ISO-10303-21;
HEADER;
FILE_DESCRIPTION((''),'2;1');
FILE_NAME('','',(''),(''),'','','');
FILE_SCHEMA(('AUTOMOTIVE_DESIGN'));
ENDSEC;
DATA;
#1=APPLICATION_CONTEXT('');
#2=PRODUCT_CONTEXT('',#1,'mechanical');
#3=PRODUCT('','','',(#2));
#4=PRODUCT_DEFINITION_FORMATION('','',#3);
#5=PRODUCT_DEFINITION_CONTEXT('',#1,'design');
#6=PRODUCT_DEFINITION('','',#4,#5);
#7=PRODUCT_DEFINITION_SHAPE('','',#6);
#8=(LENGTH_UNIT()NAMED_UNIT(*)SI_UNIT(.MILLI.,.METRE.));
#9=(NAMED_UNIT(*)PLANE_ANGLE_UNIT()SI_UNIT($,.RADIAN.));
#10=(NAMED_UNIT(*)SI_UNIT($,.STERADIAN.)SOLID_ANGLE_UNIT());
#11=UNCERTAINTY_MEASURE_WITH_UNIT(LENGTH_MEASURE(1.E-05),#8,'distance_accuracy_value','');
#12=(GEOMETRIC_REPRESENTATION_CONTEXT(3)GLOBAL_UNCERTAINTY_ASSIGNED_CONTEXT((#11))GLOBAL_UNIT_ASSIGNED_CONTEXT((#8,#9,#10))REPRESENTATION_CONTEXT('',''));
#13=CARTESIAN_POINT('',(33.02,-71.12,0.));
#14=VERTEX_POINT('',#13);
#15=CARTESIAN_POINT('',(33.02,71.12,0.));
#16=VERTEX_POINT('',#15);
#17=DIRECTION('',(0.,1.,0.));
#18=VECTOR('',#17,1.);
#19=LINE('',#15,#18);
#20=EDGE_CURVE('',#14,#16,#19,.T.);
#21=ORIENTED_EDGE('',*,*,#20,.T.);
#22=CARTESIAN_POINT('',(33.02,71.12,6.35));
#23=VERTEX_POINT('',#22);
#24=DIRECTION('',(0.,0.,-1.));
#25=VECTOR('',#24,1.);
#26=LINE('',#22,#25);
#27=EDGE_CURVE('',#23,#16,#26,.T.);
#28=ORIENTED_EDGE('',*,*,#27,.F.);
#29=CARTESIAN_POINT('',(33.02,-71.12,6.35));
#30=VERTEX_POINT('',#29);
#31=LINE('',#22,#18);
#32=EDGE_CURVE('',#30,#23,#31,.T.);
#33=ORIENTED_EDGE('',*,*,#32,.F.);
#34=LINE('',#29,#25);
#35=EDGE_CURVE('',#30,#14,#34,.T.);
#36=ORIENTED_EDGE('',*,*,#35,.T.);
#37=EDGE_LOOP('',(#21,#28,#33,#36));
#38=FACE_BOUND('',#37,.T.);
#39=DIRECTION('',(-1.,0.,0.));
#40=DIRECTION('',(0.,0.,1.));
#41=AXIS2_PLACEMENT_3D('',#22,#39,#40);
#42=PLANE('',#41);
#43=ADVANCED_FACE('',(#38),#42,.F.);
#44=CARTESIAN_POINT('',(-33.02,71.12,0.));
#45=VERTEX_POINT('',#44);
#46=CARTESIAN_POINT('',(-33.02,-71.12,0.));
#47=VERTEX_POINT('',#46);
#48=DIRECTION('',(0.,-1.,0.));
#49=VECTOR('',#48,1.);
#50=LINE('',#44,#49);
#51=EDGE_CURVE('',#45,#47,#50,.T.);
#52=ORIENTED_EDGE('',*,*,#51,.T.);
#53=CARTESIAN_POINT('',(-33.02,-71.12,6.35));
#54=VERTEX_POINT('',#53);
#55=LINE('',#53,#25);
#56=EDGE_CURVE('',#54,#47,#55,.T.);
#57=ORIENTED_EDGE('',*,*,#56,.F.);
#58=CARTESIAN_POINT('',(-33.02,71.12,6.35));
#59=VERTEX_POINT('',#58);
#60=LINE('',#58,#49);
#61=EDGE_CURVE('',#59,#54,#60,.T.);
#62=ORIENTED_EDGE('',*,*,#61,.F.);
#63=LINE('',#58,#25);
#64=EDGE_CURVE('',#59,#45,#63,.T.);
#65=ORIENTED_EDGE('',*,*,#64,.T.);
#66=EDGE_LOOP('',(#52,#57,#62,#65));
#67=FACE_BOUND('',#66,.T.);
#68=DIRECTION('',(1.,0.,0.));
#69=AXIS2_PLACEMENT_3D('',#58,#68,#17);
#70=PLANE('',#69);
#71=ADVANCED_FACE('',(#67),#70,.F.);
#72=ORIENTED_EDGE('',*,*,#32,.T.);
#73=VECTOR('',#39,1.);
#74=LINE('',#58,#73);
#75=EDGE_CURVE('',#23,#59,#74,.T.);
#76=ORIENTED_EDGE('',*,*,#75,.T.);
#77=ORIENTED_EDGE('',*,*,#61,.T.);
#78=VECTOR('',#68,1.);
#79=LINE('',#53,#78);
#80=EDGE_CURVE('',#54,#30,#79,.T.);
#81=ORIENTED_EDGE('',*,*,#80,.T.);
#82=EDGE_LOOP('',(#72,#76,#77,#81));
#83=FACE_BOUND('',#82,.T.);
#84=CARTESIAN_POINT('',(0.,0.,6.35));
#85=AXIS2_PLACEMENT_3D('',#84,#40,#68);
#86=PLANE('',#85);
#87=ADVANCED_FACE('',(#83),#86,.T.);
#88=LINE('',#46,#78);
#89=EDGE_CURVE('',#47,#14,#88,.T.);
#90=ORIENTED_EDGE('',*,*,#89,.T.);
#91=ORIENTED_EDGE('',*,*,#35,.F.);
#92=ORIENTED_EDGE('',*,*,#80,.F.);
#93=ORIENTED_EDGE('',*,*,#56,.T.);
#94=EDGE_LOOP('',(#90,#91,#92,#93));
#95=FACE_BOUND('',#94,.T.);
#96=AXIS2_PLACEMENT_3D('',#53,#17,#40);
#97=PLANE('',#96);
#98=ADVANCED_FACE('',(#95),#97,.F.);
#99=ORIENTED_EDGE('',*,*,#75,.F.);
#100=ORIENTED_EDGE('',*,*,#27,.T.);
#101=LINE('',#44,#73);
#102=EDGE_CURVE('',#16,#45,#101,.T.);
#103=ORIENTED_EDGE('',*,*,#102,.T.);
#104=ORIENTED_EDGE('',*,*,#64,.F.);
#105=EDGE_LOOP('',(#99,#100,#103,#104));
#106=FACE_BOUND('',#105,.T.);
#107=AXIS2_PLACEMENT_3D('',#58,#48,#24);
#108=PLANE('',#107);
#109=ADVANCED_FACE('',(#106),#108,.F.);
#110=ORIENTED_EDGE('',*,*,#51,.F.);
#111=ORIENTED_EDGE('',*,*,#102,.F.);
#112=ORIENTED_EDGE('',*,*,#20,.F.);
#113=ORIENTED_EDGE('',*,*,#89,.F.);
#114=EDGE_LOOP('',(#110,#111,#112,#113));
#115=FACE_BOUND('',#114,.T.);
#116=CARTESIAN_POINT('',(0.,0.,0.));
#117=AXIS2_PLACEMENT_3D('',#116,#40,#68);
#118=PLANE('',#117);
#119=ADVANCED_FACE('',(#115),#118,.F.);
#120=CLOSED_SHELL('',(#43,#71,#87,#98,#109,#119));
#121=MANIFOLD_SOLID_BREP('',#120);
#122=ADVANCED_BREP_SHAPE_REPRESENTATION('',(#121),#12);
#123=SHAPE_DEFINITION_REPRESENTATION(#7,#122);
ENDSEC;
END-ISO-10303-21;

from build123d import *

# Parameters (mm, degrees)
SKETCH1_W           = 66.04
SKETCH1_H           = 142.24
BOSS_EXTRUDE1_DEPTH = 6.35


with BuildPart() as part:
    # Sketch1 → Boss-Extrude1 (new body)
    with BuildSketch(Plane.XY):
        Rectangle(SKETCH1_W, SKETCH1_H)
    extrude(amount=BOSS_EXTRUDE1_DEPTH)


solid = part.part
